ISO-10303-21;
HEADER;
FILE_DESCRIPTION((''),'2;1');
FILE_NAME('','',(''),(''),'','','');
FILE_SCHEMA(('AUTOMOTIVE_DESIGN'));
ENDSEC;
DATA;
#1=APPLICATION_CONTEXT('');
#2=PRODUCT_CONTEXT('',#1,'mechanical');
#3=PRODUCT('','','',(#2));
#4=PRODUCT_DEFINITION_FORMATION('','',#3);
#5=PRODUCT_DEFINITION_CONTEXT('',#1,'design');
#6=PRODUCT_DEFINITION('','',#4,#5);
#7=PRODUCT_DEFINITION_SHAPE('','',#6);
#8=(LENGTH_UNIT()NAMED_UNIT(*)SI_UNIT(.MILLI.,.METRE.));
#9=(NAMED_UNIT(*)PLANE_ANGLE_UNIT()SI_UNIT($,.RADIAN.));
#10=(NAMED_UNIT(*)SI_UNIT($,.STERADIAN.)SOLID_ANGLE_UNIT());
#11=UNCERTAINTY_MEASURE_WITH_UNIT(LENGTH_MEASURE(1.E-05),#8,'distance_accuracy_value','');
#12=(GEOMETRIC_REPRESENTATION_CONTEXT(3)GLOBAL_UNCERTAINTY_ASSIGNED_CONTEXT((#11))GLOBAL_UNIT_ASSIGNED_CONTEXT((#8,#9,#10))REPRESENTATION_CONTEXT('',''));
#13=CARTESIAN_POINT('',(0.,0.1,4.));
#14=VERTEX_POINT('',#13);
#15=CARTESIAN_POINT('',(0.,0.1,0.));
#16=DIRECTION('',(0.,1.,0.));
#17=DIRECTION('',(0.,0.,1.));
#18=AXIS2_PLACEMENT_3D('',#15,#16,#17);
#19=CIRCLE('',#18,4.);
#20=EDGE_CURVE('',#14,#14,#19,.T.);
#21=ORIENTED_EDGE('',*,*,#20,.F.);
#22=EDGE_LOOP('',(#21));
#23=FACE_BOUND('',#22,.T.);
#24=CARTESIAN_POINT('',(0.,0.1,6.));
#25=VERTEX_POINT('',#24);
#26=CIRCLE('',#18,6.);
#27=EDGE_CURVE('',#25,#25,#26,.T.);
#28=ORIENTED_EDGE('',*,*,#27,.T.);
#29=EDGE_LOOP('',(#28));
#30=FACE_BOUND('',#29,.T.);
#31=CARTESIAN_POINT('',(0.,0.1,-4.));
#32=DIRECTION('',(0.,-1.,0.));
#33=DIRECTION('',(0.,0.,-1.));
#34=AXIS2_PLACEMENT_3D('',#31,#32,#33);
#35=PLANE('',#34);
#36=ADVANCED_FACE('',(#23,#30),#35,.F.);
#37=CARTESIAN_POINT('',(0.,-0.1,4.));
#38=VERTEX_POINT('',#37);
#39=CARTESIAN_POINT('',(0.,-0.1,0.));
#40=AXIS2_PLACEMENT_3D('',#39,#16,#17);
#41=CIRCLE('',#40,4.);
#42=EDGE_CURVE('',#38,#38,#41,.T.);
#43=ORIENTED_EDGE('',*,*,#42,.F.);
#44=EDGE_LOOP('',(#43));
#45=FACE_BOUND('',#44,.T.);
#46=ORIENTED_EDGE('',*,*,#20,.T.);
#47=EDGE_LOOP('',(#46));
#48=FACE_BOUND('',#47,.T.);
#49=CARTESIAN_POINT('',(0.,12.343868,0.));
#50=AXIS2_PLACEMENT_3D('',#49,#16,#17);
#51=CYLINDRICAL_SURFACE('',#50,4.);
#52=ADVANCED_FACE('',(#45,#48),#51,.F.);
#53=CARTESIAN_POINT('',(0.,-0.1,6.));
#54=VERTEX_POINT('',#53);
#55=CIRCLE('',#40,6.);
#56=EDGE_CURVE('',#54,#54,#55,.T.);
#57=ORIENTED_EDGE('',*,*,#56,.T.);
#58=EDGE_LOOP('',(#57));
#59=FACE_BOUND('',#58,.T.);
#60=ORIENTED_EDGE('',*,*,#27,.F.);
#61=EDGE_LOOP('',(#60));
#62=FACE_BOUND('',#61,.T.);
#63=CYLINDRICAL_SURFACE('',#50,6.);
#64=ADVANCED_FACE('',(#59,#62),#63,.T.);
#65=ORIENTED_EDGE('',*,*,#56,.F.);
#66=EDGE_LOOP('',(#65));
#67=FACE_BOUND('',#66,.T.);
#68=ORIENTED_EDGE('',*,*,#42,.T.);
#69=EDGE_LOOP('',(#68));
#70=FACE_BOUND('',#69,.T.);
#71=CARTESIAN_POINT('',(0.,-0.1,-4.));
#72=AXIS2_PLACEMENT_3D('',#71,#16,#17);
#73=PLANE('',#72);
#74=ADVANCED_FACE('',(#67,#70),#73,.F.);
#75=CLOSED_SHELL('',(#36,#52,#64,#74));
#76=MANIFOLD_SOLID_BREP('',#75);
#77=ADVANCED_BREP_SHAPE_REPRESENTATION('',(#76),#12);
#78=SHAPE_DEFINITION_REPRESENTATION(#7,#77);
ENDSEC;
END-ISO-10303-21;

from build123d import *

# Parameters (mm, degrees)
SKETCH1_W = 2
SKETCH1_H = 0.2


with BuildPart() as part:
    # Sketch1 → Revolve1 (revolve)
    with BuildSketch(Plane(origin=(0, 0, 0), x_dir=(0, 0, -1), z_dir=(1, 0, 0)), mode=Mode.PRIVATE) as revolve1_sk:
        with Locations((5, 0)):
            Rectangle(SKETCH1_W, SKETCH1_H)
    revolve(revolve1_sk.sketch.rotate(Axis((0, 12.343867532, 0), (0, -1, 0)), 180), axis=Axis((0, 12.343867532, 0), (0, -1, 0)))


solid = part.part
